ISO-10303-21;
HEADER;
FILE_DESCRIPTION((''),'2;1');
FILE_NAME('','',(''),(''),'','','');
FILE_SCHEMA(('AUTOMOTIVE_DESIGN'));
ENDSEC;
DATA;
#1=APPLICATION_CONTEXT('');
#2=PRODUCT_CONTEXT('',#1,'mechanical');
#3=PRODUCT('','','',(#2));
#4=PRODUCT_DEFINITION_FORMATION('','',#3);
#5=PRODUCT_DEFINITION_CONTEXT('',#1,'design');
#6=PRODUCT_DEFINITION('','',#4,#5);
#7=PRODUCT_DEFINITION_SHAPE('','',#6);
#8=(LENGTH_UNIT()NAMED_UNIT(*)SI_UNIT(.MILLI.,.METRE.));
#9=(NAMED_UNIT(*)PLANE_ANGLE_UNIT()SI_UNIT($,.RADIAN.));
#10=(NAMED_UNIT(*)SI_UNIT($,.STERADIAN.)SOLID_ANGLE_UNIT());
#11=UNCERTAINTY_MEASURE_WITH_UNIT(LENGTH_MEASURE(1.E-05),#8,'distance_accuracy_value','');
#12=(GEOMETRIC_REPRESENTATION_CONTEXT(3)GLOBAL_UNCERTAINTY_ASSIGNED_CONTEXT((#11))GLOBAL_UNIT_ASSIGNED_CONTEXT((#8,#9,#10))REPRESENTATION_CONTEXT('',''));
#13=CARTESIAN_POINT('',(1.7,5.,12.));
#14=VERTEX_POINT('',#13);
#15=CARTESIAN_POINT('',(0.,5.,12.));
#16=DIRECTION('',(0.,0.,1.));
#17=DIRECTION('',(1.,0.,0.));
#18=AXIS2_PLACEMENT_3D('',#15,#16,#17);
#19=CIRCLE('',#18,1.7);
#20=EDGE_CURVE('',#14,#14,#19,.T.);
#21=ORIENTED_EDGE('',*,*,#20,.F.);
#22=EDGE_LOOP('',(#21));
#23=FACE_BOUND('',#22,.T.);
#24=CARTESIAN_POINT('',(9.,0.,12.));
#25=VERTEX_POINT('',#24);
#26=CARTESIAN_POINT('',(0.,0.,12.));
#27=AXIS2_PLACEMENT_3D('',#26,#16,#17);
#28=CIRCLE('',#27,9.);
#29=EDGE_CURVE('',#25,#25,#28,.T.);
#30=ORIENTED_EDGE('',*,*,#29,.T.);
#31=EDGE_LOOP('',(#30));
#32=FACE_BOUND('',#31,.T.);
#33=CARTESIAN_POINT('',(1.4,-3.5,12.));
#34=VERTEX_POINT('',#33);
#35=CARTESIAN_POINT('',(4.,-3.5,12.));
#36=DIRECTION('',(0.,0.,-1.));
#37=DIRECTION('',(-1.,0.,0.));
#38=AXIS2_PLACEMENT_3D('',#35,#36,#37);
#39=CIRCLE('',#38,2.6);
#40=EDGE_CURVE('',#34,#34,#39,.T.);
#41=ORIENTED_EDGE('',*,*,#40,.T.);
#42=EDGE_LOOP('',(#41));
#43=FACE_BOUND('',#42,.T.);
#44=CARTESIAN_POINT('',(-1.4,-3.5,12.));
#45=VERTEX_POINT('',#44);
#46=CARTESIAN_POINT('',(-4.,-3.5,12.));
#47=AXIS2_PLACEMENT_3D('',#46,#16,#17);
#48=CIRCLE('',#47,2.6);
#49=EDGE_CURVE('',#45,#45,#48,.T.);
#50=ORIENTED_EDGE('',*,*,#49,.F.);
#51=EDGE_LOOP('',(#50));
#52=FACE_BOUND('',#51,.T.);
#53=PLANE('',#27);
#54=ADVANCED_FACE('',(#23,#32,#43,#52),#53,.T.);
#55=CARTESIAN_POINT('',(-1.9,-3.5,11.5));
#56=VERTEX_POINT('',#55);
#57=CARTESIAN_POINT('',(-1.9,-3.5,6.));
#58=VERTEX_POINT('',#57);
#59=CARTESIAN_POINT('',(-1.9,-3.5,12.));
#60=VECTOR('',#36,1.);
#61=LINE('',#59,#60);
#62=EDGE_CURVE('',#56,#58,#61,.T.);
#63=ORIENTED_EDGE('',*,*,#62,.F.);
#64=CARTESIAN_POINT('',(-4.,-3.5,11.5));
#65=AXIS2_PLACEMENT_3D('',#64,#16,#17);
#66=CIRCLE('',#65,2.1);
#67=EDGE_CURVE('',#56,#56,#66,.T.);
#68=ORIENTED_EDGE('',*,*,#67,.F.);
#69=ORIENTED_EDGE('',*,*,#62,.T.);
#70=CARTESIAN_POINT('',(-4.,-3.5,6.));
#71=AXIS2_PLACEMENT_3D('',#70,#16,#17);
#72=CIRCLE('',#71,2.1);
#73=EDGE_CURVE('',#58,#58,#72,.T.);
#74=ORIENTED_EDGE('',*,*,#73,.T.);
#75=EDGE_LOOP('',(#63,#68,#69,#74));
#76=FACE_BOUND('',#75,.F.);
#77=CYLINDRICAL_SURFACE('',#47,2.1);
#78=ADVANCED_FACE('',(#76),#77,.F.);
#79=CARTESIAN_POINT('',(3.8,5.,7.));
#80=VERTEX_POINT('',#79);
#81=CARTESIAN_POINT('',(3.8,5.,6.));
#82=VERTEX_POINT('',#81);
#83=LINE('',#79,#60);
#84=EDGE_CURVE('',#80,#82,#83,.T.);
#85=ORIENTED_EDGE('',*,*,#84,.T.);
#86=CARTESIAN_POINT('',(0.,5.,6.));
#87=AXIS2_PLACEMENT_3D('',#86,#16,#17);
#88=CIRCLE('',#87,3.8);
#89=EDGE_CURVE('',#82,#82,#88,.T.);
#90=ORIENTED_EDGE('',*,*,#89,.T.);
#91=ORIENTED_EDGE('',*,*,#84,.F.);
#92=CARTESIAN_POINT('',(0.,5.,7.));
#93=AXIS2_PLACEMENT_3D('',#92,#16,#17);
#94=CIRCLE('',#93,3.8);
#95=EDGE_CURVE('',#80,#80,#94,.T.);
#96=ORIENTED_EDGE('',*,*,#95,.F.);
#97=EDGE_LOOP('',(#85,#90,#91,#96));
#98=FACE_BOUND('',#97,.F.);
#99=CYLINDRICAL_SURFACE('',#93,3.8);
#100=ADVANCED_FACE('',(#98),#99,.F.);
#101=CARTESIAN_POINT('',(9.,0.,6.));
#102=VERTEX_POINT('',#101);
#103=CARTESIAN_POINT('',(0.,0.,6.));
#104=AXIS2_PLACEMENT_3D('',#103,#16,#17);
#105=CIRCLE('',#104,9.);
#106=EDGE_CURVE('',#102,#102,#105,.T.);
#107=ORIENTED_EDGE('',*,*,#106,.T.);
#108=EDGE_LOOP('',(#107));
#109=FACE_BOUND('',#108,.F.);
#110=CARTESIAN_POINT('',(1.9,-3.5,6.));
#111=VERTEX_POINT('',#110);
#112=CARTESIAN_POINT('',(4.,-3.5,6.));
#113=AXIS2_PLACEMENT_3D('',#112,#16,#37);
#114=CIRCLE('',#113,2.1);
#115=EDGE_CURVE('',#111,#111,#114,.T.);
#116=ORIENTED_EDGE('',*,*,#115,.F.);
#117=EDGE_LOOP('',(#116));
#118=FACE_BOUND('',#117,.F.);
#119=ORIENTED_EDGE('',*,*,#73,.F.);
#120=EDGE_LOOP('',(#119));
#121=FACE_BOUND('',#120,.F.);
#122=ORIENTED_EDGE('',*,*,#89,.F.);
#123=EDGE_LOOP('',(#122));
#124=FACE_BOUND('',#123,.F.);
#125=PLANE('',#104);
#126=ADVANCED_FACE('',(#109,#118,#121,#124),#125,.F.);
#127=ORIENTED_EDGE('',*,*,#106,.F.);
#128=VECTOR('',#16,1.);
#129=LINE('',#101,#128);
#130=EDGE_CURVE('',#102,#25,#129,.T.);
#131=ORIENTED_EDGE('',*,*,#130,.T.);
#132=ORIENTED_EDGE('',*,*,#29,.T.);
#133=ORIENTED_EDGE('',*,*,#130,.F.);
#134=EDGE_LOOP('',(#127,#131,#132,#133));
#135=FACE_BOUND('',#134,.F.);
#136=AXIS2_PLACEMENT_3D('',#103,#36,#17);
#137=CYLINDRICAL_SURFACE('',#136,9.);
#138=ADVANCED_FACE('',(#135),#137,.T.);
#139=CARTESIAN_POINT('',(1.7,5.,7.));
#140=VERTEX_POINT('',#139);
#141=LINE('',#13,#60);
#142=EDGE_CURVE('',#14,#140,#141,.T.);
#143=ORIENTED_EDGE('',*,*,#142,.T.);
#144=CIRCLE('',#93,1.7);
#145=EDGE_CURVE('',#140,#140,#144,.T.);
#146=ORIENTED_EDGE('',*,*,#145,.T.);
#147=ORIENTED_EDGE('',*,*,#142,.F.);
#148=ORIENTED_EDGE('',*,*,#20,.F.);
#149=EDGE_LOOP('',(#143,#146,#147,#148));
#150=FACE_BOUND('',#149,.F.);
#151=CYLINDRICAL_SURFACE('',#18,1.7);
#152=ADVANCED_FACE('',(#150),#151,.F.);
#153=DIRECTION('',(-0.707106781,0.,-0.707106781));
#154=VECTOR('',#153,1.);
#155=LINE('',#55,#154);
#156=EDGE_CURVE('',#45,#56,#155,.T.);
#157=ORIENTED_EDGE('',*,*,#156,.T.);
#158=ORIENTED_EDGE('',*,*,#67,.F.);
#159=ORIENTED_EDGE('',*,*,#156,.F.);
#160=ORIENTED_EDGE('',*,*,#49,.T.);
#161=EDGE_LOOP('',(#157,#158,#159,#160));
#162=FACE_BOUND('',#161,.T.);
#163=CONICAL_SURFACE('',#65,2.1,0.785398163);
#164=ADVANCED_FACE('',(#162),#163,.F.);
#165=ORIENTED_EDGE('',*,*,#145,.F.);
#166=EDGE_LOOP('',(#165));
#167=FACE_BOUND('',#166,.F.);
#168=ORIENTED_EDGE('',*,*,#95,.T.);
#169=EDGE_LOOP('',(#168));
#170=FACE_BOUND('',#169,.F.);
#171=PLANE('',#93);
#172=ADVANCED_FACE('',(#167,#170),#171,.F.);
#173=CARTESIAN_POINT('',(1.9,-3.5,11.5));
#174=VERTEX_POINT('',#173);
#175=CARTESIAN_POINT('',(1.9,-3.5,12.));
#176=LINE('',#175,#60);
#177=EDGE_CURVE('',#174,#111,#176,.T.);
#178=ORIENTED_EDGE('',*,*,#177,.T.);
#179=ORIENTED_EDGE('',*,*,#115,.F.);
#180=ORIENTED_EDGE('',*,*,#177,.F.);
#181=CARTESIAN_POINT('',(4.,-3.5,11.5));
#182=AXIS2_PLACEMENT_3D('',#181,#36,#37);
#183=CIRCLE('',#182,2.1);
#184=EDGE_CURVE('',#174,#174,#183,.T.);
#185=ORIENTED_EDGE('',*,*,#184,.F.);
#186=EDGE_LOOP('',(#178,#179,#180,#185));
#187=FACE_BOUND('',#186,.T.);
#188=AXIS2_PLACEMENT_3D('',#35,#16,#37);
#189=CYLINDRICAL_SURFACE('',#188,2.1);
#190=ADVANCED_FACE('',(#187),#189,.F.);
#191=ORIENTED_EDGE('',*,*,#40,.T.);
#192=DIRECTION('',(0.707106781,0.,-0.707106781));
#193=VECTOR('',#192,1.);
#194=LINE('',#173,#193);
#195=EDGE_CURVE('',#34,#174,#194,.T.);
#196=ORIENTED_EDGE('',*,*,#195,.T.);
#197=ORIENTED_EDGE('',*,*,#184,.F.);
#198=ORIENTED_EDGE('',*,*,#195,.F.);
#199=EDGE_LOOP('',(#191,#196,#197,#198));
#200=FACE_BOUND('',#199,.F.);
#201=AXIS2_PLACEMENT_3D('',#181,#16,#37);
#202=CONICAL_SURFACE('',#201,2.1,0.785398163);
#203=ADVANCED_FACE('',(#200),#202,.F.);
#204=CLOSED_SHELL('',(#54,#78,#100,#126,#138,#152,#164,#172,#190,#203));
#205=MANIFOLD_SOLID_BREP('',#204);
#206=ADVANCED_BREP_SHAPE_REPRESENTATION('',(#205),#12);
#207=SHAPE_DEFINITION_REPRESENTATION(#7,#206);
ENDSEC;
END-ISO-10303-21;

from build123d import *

# Parameters (mm, degrees)
PAD001_START    = 6
SKETCH007_R     = 9
PAD001_DEPTH    = 6
SKETCH008_R     = 1.7
HOLE001_DEPTH   = 6.001
POCKET006_START = -5
SKETCH009_R     = 3.8
POCKET006_DEPTH = 95
SKETCH010_R     = 2.1
POCKET007_DEPTH = 58.307787
CHAMFER_SIZE    = 0.5


with BuildPart() as part:
    # Sketch007 → Pad001 (new body)
    with BuildSketch(Plane.XY.offset(PAD001_START)):
        Circle(SKETCH007_R)
    extrude(amount=PAD001_DEPTH)

    # Sketch008 (on Face3 of Pad001) → Hole001 (cut, through all)
    with BuildSketch(Plane.XY.offset(12)):
        with Locations((0, 5)):
            Circle(SKETCH008_R)
    extrude(amount=-HOLE001_DEPTH, mode=Mode.SUBTRACT)

    # Sketch009 (on Face3 of Hole001) → Pocket006 (cut)
    with BuildSketch(Plane.XY.offset(12).offset(POCKET006_START)):
        with Locations((0, 5)):
            Circle(SKETCH009_R)
    extrude(amount=-POCKET006_DEPTH, mode=Mode.SUBTRACT)

    # Sketch010 (on Face3 of Pocket006) → Pocket007 (cut, through all)
    with BuildSketch(Plane.XY.offset(12)):
        with Locations((-4, -3.5)):
            Circle(SKETCH010_R)
    pocket007 = extrude(amount=-POCKET007_DEPTH, mode=Mode.SUBTRACT)

    # Mirrored001: Pocket007 across YZ
    add(pocket007.mirror(Plane.YZ), mode=Mode.SUBTRACT)

    # Chamfer
    chamfer_edges = [part.edges().sort_by_distance(p)[0] for p in [
        (6.1, -3.5, 12),
        (-6.1, -3.5, 12),
    ]]
    chamfer(chamfer_edges, length=CHAMFER_SIZE)


solid = part.part
